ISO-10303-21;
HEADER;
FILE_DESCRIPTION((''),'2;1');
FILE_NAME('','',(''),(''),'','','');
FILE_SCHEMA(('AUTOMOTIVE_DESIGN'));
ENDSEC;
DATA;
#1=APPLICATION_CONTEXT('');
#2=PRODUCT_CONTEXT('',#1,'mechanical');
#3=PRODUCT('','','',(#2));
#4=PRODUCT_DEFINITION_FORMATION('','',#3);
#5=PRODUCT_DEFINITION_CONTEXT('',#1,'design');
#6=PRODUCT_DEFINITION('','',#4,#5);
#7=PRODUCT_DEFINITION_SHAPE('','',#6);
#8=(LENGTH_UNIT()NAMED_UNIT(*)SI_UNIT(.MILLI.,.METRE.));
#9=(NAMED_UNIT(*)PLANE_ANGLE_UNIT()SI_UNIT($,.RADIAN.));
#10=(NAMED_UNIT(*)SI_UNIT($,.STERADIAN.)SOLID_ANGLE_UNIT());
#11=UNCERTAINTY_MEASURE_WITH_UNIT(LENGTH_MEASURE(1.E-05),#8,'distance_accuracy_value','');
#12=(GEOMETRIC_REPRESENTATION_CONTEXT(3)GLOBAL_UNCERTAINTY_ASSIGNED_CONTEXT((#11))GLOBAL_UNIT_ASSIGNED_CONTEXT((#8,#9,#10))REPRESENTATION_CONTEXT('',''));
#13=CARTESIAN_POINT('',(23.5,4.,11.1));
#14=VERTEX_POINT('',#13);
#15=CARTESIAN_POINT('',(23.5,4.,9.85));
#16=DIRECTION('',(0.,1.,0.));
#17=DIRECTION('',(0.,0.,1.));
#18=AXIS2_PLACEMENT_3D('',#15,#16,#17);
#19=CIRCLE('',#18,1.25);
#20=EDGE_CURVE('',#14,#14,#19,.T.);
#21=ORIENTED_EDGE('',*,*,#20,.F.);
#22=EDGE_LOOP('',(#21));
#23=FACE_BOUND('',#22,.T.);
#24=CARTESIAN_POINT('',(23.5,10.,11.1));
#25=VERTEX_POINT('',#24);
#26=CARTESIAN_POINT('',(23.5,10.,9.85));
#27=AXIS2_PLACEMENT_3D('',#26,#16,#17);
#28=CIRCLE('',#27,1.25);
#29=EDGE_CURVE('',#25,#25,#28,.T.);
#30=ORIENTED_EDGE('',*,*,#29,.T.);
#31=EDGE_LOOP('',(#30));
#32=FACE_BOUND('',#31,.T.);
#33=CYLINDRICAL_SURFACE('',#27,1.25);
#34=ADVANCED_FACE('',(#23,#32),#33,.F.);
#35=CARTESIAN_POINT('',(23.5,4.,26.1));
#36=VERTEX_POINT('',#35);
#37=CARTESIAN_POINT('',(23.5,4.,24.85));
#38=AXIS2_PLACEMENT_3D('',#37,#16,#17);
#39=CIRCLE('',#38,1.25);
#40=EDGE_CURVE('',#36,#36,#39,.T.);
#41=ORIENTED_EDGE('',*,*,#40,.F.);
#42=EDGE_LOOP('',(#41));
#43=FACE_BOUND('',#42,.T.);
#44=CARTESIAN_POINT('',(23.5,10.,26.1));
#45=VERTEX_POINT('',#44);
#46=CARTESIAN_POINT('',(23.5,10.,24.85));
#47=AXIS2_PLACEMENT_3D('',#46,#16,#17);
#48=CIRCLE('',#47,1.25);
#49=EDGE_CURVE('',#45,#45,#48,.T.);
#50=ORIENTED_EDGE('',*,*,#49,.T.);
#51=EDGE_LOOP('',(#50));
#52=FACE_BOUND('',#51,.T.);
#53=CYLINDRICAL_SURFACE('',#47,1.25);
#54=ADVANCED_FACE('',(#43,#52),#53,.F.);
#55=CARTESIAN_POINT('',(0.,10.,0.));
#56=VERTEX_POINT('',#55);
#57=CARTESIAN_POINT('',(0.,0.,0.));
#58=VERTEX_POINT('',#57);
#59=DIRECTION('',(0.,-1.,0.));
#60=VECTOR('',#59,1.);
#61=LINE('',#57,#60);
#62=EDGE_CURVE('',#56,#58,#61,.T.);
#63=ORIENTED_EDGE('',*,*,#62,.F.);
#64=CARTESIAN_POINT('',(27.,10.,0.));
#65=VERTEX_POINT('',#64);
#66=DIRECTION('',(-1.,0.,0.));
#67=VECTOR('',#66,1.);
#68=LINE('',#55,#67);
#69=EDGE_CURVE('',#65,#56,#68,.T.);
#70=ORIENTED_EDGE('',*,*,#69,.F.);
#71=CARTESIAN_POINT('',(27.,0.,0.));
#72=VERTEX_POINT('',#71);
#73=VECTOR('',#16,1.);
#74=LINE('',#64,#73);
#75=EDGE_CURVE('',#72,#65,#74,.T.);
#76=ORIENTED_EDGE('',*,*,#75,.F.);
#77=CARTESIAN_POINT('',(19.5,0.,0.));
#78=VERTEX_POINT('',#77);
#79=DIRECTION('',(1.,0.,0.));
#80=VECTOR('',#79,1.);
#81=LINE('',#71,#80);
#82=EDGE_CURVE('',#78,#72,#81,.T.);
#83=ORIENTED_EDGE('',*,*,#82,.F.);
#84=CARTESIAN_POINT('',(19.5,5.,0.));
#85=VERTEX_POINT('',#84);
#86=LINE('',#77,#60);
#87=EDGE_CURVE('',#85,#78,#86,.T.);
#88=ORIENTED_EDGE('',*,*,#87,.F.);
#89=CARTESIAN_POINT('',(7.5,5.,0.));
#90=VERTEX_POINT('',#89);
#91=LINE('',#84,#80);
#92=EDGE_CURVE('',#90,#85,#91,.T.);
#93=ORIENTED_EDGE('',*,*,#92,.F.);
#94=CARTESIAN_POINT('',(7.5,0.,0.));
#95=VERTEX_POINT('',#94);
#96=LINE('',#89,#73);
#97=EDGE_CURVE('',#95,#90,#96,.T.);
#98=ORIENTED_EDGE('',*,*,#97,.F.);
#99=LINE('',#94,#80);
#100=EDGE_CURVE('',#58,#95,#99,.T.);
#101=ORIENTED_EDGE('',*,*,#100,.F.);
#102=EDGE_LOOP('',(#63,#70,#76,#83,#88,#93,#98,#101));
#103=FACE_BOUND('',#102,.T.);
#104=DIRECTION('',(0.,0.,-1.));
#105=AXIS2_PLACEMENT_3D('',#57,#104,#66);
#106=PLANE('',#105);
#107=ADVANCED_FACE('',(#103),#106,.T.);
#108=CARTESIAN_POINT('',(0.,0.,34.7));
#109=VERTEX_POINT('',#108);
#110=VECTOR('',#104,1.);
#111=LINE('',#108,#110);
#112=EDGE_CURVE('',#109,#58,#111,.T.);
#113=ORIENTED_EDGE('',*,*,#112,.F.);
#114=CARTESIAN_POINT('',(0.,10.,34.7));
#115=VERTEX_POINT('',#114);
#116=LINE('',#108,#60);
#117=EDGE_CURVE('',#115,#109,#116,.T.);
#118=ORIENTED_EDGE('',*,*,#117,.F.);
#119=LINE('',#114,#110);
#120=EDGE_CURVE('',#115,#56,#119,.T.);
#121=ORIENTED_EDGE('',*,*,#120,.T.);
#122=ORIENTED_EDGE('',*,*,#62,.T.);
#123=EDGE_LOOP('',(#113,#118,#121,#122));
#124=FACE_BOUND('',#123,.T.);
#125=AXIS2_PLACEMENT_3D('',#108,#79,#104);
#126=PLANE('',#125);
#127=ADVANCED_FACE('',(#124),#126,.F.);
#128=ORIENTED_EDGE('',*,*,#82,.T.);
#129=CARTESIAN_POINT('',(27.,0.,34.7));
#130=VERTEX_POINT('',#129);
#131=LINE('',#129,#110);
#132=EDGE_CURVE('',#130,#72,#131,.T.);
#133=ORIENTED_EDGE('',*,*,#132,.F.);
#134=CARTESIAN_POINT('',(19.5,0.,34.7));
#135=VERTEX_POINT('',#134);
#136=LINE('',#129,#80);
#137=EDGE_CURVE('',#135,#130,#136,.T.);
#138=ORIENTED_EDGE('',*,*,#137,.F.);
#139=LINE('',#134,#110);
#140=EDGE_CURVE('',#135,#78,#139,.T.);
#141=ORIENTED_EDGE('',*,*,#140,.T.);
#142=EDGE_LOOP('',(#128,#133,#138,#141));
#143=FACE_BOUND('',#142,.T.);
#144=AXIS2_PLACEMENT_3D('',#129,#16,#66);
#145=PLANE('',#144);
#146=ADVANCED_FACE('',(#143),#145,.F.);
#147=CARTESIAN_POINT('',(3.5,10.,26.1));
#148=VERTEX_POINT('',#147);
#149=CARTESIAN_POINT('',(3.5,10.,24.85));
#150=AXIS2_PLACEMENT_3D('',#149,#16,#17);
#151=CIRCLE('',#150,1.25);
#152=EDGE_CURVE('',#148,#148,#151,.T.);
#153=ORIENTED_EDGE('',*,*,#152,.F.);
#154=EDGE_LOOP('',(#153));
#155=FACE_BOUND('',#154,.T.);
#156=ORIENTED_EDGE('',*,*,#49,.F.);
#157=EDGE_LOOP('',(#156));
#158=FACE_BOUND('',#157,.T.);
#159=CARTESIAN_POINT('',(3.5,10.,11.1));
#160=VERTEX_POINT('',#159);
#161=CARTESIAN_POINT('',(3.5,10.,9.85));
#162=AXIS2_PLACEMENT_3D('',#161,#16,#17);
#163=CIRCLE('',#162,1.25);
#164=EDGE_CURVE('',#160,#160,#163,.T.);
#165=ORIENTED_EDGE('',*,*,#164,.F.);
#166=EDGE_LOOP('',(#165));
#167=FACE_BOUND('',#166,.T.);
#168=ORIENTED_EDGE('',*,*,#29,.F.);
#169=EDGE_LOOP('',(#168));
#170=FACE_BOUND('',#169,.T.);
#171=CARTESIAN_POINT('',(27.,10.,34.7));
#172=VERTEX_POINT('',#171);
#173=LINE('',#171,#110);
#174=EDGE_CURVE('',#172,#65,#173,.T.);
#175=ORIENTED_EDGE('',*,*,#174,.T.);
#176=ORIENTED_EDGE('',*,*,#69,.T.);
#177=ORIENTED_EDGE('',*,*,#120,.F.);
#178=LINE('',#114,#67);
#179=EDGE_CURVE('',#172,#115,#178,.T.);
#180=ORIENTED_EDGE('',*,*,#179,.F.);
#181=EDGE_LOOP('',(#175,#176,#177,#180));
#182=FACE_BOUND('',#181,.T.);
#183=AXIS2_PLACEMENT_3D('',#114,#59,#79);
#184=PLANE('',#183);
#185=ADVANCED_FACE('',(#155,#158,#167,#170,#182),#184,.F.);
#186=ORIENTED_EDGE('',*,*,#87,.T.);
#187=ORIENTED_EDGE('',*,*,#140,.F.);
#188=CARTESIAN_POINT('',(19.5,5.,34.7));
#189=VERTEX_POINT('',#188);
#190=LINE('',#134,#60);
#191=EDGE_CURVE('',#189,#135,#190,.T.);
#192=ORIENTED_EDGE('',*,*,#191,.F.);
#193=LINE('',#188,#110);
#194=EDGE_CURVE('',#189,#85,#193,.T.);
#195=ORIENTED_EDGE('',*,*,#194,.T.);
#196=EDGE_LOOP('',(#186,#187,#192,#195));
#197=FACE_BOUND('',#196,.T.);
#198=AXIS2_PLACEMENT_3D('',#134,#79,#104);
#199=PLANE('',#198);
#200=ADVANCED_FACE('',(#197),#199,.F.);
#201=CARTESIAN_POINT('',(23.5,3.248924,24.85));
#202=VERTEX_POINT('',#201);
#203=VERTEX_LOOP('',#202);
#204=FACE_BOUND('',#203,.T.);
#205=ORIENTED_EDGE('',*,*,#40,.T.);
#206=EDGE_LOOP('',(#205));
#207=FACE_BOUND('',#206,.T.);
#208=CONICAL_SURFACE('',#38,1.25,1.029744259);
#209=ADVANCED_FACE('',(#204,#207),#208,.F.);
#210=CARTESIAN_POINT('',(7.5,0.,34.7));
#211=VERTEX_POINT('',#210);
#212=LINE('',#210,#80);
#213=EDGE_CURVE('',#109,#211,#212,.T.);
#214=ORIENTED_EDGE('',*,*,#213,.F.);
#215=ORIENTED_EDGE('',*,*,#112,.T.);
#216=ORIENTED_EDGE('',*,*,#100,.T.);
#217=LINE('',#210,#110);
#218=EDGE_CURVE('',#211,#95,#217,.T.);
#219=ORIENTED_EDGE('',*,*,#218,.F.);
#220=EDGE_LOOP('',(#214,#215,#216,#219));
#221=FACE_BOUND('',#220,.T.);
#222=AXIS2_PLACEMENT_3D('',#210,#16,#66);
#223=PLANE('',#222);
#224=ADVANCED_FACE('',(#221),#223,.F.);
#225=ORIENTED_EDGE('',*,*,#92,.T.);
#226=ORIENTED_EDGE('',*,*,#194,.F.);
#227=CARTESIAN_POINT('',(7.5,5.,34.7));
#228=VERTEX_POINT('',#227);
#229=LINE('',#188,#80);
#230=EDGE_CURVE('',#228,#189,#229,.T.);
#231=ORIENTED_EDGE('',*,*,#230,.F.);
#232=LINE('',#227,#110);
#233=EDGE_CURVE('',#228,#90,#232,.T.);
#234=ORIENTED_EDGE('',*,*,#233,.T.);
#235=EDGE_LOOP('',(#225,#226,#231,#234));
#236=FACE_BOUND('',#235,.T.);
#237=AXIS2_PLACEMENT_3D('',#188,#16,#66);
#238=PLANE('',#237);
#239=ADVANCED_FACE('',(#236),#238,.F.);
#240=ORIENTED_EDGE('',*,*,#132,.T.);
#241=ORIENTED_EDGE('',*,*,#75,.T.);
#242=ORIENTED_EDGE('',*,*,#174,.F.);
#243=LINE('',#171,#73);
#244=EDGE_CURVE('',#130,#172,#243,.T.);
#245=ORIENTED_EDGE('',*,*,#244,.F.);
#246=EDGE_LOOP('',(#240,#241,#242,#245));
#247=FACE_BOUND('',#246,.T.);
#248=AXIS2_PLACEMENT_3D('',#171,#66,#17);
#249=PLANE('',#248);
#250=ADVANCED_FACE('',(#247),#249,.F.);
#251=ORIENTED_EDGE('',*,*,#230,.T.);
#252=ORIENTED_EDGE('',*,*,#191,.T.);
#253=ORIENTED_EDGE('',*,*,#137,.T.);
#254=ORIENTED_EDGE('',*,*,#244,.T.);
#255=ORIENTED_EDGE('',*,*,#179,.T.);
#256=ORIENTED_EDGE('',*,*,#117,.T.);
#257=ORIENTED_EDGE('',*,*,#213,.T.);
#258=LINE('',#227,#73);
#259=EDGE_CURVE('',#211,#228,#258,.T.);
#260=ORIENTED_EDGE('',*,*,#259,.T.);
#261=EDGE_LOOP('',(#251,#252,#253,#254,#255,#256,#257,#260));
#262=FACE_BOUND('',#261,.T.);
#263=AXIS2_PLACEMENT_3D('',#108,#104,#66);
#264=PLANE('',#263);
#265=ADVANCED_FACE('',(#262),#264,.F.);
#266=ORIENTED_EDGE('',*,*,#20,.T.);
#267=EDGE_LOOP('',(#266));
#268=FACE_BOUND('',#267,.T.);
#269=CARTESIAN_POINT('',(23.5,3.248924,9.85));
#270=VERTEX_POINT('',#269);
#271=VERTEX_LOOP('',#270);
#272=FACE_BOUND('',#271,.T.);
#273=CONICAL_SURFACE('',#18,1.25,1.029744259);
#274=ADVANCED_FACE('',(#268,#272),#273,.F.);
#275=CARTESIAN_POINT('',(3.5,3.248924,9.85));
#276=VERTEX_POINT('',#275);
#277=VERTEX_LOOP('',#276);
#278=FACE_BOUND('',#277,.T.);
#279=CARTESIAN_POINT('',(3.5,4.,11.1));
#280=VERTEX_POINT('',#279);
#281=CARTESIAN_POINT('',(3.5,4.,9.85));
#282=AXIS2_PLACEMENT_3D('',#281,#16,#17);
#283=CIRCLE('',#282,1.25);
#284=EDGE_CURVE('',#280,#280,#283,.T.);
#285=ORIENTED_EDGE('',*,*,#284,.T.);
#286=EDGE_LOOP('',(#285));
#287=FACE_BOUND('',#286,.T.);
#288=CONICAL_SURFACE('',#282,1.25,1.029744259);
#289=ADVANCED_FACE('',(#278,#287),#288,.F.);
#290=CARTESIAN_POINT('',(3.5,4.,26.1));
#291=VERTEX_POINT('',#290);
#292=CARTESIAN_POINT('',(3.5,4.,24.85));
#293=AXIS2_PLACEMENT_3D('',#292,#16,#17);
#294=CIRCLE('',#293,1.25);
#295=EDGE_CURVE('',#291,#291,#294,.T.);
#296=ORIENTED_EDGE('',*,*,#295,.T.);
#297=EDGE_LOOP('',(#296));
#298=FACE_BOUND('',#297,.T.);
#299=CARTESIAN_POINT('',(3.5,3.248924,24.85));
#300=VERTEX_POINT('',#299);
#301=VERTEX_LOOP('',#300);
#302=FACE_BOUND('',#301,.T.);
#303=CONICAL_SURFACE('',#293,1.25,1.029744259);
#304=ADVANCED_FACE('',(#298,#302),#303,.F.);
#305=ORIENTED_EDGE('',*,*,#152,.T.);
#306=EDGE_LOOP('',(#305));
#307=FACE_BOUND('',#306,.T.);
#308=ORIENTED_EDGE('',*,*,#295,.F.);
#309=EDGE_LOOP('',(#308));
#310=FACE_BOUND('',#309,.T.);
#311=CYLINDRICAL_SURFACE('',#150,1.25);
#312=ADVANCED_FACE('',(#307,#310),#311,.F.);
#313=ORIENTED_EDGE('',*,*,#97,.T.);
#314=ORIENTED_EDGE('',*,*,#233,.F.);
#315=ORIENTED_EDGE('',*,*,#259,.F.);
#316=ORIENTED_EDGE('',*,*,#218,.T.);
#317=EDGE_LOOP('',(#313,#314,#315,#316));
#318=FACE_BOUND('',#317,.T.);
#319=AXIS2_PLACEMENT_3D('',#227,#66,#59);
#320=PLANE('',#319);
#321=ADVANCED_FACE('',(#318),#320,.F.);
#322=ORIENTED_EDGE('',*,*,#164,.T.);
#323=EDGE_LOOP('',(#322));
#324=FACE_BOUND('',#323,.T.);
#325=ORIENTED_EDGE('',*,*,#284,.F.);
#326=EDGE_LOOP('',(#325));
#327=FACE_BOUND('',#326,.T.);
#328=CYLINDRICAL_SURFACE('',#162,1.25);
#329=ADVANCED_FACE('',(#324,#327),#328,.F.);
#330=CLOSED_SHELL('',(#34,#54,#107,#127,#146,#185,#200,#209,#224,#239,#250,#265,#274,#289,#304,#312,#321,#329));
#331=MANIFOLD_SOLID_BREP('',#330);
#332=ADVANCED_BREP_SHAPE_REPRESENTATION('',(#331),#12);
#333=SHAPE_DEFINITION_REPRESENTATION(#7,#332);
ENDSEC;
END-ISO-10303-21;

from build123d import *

# Parameters (mm, degrees)
BOSS_EXTRUDE1_DEPTH       = 34.7
M3X0_5_TAPPED_HOLE1_D     = 2.5
M3X0_5_TAPPED_HOLE1_DEPTH = 6
M3X0_5_TAPPED_HOLE1_TIP   = 0.751075774


with BuildPart() as part:
    # Sketch2 → Boss-Extrude1 (new body)
    with BuildSketch(Plane.XY):
        Polygon((0, 0), (0, 10), (27, 10), (27, 0), (19.5, 0), (19.5, 5), (7.5, 5), (7.5, 0), align=None)
    extrude(amount=BOSS_EXTRUDE1_DEPTH)

    # M3x0.5 Tapped Hole1
    with Locations(Plane(origin=(0, 10, 0), x_dir=(1, 0, 0), z_dir=(0, 1, 0))):
        with Locations((23.5, -9.85), (3.5, -9.85), (3.5, -24.85), (23.5, -24.85)):
            Hole(M3X0_5_TAPPED_HOLE1_D / 2, depth=M3X0_5_TAPPED_HOLE1_DEPTH)
            with Locations((0, 0, -(M3X0_5_TAPPED_HOLE1_DEPTH + M3X0_5_TAPPED_HOLE1_TIP / 2))):  # 118° drill point
                Cone(0, M3X0_5_TAPPED_HOLE1_D / 2, M3X0_5_TAPPED_HOLE1_TIP, mode=Mode.SUBTRACT)


solid = part.part
